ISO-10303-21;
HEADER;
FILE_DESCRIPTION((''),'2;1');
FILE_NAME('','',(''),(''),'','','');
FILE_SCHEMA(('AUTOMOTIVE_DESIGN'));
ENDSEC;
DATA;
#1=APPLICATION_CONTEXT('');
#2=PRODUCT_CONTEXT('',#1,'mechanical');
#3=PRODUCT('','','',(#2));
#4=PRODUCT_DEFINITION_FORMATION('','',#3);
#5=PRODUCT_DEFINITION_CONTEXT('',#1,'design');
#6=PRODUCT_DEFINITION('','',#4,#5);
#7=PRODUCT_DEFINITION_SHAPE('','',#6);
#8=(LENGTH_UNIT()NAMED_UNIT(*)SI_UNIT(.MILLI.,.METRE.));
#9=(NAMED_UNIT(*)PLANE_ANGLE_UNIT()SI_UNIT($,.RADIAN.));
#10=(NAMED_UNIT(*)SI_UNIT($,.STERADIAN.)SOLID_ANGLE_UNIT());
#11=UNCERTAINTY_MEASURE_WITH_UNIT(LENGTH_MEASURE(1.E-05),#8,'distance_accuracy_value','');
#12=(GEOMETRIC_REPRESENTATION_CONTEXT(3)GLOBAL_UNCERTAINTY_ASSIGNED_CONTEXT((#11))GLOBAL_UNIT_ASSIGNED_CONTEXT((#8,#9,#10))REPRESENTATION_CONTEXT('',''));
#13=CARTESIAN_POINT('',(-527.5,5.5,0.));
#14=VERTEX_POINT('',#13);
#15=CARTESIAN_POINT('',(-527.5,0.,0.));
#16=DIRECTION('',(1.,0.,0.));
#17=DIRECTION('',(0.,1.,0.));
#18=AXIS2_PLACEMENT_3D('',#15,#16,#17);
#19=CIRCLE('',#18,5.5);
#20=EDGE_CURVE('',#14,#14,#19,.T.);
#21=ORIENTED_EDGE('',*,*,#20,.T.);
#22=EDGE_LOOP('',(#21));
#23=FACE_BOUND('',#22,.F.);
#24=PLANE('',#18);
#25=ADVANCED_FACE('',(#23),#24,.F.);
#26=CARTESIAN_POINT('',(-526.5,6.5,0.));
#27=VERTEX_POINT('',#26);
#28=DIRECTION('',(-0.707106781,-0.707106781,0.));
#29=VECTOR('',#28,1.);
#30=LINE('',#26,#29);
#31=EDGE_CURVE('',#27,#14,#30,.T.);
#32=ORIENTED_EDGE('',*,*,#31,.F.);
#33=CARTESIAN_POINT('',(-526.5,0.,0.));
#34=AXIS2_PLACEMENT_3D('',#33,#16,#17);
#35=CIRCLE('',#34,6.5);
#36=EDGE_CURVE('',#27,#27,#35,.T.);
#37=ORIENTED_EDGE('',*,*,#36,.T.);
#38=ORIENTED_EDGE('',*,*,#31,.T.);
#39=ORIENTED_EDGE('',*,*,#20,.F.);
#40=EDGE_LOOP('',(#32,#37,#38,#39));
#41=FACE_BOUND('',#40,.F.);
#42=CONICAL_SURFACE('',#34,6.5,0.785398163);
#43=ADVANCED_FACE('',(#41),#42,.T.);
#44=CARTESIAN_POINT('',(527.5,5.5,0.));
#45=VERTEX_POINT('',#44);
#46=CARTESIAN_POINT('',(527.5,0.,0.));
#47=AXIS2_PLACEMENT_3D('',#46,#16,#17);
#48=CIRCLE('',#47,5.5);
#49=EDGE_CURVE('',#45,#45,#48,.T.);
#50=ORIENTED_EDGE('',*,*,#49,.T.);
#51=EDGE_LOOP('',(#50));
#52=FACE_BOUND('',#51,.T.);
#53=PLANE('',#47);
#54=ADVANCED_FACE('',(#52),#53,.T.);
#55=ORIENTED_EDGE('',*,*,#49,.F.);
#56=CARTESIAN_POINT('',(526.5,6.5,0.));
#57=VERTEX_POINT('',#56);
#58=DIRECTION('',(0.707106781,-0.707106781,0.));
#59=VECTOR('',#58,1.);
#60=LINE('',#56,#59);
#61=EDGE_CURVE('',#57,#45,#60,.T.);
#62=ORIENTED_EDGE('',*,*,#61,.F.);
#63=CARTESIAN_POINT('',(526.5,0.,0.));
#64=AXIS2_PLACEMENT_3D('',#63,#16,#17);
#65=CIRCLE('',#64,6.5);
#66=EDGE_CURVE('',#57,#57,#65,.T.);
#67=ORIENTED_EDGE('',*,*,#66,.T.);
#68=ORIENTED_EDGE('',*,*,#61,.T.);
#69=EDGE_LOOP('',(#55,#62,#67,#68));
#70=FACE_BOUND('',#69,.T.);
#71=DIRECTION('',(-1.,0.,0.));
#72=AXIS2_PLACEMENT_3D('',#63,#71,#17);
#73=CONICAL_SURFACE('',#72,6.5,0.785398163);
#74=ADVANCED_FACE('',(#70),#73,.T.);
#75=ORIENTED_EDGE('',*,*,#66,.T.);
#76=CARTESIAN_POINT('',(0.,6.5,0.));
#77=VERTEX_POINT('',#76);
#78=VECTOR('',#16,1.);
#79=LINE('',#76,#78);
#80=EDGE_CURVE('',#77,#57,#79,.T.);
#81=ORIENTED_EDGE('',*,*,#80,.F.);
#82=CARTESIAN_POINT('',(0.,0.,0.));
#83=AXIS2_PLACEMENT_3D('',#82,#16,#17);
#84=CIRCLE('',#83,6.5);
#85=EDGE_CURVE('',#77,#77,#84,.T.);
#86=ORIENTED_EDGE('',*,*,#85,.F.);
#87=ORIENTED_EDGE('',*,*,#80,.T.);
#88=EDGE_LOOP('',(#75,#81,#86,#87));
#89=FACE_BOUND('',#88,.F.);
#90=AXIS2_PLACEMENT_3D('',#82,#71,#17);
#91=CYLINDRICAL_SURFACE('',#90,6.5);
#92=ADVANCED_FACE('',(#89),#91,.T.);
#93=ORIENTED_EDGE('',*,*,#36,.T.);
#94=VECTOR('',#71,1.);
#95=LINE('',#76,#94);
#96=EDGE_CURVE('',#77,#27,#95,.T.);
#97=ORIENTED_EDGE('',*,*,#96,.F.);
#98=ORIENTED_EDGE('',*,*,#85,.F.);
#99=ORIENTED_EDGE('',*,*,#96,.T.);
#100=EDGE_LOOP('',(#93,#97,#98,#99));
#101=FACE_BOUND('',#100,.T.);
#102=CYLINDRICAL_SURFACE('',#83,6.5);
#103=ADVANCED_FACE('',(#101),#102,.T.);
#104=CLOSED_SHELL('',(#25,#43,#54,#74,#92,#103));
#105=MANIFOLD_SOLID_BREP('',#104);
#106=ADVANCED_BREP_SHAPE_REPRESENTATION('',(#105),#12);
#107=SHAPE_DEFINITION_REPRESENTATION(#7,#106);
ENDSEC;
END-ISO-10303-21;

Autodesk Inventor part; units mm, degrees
ref_plane "YZ Plane" through (0, 0, 0) normal (1, 0, 0) x (0, 1, 0)
ref_plane "XZ Plane" through (0, 0, 0) normal (0, 1, 0) x (-1, 0, 0)
ref_plane "XY Plane" through (0, 0, 0) normal (0, 0, 1) x (1, 0, 0)
sketch "Náčrt3" plane through (0, 0, 0) normal (1, 0, 0) x (0, 1, 0)
  circle A0 centre (0, 0) radius 6.5
  dimension "d16" = 13
extrude "Vysunutí1" add sketch "Náčrt3" along normal mid plane 1055
chamfer "Zkosení2" distance 1 angle 45 2 edges at (527.5, -6.5, 0) (-527.5, -6.5, 0)
properties part number "DD_KVD_002_08" material "Nerezová ocel"
